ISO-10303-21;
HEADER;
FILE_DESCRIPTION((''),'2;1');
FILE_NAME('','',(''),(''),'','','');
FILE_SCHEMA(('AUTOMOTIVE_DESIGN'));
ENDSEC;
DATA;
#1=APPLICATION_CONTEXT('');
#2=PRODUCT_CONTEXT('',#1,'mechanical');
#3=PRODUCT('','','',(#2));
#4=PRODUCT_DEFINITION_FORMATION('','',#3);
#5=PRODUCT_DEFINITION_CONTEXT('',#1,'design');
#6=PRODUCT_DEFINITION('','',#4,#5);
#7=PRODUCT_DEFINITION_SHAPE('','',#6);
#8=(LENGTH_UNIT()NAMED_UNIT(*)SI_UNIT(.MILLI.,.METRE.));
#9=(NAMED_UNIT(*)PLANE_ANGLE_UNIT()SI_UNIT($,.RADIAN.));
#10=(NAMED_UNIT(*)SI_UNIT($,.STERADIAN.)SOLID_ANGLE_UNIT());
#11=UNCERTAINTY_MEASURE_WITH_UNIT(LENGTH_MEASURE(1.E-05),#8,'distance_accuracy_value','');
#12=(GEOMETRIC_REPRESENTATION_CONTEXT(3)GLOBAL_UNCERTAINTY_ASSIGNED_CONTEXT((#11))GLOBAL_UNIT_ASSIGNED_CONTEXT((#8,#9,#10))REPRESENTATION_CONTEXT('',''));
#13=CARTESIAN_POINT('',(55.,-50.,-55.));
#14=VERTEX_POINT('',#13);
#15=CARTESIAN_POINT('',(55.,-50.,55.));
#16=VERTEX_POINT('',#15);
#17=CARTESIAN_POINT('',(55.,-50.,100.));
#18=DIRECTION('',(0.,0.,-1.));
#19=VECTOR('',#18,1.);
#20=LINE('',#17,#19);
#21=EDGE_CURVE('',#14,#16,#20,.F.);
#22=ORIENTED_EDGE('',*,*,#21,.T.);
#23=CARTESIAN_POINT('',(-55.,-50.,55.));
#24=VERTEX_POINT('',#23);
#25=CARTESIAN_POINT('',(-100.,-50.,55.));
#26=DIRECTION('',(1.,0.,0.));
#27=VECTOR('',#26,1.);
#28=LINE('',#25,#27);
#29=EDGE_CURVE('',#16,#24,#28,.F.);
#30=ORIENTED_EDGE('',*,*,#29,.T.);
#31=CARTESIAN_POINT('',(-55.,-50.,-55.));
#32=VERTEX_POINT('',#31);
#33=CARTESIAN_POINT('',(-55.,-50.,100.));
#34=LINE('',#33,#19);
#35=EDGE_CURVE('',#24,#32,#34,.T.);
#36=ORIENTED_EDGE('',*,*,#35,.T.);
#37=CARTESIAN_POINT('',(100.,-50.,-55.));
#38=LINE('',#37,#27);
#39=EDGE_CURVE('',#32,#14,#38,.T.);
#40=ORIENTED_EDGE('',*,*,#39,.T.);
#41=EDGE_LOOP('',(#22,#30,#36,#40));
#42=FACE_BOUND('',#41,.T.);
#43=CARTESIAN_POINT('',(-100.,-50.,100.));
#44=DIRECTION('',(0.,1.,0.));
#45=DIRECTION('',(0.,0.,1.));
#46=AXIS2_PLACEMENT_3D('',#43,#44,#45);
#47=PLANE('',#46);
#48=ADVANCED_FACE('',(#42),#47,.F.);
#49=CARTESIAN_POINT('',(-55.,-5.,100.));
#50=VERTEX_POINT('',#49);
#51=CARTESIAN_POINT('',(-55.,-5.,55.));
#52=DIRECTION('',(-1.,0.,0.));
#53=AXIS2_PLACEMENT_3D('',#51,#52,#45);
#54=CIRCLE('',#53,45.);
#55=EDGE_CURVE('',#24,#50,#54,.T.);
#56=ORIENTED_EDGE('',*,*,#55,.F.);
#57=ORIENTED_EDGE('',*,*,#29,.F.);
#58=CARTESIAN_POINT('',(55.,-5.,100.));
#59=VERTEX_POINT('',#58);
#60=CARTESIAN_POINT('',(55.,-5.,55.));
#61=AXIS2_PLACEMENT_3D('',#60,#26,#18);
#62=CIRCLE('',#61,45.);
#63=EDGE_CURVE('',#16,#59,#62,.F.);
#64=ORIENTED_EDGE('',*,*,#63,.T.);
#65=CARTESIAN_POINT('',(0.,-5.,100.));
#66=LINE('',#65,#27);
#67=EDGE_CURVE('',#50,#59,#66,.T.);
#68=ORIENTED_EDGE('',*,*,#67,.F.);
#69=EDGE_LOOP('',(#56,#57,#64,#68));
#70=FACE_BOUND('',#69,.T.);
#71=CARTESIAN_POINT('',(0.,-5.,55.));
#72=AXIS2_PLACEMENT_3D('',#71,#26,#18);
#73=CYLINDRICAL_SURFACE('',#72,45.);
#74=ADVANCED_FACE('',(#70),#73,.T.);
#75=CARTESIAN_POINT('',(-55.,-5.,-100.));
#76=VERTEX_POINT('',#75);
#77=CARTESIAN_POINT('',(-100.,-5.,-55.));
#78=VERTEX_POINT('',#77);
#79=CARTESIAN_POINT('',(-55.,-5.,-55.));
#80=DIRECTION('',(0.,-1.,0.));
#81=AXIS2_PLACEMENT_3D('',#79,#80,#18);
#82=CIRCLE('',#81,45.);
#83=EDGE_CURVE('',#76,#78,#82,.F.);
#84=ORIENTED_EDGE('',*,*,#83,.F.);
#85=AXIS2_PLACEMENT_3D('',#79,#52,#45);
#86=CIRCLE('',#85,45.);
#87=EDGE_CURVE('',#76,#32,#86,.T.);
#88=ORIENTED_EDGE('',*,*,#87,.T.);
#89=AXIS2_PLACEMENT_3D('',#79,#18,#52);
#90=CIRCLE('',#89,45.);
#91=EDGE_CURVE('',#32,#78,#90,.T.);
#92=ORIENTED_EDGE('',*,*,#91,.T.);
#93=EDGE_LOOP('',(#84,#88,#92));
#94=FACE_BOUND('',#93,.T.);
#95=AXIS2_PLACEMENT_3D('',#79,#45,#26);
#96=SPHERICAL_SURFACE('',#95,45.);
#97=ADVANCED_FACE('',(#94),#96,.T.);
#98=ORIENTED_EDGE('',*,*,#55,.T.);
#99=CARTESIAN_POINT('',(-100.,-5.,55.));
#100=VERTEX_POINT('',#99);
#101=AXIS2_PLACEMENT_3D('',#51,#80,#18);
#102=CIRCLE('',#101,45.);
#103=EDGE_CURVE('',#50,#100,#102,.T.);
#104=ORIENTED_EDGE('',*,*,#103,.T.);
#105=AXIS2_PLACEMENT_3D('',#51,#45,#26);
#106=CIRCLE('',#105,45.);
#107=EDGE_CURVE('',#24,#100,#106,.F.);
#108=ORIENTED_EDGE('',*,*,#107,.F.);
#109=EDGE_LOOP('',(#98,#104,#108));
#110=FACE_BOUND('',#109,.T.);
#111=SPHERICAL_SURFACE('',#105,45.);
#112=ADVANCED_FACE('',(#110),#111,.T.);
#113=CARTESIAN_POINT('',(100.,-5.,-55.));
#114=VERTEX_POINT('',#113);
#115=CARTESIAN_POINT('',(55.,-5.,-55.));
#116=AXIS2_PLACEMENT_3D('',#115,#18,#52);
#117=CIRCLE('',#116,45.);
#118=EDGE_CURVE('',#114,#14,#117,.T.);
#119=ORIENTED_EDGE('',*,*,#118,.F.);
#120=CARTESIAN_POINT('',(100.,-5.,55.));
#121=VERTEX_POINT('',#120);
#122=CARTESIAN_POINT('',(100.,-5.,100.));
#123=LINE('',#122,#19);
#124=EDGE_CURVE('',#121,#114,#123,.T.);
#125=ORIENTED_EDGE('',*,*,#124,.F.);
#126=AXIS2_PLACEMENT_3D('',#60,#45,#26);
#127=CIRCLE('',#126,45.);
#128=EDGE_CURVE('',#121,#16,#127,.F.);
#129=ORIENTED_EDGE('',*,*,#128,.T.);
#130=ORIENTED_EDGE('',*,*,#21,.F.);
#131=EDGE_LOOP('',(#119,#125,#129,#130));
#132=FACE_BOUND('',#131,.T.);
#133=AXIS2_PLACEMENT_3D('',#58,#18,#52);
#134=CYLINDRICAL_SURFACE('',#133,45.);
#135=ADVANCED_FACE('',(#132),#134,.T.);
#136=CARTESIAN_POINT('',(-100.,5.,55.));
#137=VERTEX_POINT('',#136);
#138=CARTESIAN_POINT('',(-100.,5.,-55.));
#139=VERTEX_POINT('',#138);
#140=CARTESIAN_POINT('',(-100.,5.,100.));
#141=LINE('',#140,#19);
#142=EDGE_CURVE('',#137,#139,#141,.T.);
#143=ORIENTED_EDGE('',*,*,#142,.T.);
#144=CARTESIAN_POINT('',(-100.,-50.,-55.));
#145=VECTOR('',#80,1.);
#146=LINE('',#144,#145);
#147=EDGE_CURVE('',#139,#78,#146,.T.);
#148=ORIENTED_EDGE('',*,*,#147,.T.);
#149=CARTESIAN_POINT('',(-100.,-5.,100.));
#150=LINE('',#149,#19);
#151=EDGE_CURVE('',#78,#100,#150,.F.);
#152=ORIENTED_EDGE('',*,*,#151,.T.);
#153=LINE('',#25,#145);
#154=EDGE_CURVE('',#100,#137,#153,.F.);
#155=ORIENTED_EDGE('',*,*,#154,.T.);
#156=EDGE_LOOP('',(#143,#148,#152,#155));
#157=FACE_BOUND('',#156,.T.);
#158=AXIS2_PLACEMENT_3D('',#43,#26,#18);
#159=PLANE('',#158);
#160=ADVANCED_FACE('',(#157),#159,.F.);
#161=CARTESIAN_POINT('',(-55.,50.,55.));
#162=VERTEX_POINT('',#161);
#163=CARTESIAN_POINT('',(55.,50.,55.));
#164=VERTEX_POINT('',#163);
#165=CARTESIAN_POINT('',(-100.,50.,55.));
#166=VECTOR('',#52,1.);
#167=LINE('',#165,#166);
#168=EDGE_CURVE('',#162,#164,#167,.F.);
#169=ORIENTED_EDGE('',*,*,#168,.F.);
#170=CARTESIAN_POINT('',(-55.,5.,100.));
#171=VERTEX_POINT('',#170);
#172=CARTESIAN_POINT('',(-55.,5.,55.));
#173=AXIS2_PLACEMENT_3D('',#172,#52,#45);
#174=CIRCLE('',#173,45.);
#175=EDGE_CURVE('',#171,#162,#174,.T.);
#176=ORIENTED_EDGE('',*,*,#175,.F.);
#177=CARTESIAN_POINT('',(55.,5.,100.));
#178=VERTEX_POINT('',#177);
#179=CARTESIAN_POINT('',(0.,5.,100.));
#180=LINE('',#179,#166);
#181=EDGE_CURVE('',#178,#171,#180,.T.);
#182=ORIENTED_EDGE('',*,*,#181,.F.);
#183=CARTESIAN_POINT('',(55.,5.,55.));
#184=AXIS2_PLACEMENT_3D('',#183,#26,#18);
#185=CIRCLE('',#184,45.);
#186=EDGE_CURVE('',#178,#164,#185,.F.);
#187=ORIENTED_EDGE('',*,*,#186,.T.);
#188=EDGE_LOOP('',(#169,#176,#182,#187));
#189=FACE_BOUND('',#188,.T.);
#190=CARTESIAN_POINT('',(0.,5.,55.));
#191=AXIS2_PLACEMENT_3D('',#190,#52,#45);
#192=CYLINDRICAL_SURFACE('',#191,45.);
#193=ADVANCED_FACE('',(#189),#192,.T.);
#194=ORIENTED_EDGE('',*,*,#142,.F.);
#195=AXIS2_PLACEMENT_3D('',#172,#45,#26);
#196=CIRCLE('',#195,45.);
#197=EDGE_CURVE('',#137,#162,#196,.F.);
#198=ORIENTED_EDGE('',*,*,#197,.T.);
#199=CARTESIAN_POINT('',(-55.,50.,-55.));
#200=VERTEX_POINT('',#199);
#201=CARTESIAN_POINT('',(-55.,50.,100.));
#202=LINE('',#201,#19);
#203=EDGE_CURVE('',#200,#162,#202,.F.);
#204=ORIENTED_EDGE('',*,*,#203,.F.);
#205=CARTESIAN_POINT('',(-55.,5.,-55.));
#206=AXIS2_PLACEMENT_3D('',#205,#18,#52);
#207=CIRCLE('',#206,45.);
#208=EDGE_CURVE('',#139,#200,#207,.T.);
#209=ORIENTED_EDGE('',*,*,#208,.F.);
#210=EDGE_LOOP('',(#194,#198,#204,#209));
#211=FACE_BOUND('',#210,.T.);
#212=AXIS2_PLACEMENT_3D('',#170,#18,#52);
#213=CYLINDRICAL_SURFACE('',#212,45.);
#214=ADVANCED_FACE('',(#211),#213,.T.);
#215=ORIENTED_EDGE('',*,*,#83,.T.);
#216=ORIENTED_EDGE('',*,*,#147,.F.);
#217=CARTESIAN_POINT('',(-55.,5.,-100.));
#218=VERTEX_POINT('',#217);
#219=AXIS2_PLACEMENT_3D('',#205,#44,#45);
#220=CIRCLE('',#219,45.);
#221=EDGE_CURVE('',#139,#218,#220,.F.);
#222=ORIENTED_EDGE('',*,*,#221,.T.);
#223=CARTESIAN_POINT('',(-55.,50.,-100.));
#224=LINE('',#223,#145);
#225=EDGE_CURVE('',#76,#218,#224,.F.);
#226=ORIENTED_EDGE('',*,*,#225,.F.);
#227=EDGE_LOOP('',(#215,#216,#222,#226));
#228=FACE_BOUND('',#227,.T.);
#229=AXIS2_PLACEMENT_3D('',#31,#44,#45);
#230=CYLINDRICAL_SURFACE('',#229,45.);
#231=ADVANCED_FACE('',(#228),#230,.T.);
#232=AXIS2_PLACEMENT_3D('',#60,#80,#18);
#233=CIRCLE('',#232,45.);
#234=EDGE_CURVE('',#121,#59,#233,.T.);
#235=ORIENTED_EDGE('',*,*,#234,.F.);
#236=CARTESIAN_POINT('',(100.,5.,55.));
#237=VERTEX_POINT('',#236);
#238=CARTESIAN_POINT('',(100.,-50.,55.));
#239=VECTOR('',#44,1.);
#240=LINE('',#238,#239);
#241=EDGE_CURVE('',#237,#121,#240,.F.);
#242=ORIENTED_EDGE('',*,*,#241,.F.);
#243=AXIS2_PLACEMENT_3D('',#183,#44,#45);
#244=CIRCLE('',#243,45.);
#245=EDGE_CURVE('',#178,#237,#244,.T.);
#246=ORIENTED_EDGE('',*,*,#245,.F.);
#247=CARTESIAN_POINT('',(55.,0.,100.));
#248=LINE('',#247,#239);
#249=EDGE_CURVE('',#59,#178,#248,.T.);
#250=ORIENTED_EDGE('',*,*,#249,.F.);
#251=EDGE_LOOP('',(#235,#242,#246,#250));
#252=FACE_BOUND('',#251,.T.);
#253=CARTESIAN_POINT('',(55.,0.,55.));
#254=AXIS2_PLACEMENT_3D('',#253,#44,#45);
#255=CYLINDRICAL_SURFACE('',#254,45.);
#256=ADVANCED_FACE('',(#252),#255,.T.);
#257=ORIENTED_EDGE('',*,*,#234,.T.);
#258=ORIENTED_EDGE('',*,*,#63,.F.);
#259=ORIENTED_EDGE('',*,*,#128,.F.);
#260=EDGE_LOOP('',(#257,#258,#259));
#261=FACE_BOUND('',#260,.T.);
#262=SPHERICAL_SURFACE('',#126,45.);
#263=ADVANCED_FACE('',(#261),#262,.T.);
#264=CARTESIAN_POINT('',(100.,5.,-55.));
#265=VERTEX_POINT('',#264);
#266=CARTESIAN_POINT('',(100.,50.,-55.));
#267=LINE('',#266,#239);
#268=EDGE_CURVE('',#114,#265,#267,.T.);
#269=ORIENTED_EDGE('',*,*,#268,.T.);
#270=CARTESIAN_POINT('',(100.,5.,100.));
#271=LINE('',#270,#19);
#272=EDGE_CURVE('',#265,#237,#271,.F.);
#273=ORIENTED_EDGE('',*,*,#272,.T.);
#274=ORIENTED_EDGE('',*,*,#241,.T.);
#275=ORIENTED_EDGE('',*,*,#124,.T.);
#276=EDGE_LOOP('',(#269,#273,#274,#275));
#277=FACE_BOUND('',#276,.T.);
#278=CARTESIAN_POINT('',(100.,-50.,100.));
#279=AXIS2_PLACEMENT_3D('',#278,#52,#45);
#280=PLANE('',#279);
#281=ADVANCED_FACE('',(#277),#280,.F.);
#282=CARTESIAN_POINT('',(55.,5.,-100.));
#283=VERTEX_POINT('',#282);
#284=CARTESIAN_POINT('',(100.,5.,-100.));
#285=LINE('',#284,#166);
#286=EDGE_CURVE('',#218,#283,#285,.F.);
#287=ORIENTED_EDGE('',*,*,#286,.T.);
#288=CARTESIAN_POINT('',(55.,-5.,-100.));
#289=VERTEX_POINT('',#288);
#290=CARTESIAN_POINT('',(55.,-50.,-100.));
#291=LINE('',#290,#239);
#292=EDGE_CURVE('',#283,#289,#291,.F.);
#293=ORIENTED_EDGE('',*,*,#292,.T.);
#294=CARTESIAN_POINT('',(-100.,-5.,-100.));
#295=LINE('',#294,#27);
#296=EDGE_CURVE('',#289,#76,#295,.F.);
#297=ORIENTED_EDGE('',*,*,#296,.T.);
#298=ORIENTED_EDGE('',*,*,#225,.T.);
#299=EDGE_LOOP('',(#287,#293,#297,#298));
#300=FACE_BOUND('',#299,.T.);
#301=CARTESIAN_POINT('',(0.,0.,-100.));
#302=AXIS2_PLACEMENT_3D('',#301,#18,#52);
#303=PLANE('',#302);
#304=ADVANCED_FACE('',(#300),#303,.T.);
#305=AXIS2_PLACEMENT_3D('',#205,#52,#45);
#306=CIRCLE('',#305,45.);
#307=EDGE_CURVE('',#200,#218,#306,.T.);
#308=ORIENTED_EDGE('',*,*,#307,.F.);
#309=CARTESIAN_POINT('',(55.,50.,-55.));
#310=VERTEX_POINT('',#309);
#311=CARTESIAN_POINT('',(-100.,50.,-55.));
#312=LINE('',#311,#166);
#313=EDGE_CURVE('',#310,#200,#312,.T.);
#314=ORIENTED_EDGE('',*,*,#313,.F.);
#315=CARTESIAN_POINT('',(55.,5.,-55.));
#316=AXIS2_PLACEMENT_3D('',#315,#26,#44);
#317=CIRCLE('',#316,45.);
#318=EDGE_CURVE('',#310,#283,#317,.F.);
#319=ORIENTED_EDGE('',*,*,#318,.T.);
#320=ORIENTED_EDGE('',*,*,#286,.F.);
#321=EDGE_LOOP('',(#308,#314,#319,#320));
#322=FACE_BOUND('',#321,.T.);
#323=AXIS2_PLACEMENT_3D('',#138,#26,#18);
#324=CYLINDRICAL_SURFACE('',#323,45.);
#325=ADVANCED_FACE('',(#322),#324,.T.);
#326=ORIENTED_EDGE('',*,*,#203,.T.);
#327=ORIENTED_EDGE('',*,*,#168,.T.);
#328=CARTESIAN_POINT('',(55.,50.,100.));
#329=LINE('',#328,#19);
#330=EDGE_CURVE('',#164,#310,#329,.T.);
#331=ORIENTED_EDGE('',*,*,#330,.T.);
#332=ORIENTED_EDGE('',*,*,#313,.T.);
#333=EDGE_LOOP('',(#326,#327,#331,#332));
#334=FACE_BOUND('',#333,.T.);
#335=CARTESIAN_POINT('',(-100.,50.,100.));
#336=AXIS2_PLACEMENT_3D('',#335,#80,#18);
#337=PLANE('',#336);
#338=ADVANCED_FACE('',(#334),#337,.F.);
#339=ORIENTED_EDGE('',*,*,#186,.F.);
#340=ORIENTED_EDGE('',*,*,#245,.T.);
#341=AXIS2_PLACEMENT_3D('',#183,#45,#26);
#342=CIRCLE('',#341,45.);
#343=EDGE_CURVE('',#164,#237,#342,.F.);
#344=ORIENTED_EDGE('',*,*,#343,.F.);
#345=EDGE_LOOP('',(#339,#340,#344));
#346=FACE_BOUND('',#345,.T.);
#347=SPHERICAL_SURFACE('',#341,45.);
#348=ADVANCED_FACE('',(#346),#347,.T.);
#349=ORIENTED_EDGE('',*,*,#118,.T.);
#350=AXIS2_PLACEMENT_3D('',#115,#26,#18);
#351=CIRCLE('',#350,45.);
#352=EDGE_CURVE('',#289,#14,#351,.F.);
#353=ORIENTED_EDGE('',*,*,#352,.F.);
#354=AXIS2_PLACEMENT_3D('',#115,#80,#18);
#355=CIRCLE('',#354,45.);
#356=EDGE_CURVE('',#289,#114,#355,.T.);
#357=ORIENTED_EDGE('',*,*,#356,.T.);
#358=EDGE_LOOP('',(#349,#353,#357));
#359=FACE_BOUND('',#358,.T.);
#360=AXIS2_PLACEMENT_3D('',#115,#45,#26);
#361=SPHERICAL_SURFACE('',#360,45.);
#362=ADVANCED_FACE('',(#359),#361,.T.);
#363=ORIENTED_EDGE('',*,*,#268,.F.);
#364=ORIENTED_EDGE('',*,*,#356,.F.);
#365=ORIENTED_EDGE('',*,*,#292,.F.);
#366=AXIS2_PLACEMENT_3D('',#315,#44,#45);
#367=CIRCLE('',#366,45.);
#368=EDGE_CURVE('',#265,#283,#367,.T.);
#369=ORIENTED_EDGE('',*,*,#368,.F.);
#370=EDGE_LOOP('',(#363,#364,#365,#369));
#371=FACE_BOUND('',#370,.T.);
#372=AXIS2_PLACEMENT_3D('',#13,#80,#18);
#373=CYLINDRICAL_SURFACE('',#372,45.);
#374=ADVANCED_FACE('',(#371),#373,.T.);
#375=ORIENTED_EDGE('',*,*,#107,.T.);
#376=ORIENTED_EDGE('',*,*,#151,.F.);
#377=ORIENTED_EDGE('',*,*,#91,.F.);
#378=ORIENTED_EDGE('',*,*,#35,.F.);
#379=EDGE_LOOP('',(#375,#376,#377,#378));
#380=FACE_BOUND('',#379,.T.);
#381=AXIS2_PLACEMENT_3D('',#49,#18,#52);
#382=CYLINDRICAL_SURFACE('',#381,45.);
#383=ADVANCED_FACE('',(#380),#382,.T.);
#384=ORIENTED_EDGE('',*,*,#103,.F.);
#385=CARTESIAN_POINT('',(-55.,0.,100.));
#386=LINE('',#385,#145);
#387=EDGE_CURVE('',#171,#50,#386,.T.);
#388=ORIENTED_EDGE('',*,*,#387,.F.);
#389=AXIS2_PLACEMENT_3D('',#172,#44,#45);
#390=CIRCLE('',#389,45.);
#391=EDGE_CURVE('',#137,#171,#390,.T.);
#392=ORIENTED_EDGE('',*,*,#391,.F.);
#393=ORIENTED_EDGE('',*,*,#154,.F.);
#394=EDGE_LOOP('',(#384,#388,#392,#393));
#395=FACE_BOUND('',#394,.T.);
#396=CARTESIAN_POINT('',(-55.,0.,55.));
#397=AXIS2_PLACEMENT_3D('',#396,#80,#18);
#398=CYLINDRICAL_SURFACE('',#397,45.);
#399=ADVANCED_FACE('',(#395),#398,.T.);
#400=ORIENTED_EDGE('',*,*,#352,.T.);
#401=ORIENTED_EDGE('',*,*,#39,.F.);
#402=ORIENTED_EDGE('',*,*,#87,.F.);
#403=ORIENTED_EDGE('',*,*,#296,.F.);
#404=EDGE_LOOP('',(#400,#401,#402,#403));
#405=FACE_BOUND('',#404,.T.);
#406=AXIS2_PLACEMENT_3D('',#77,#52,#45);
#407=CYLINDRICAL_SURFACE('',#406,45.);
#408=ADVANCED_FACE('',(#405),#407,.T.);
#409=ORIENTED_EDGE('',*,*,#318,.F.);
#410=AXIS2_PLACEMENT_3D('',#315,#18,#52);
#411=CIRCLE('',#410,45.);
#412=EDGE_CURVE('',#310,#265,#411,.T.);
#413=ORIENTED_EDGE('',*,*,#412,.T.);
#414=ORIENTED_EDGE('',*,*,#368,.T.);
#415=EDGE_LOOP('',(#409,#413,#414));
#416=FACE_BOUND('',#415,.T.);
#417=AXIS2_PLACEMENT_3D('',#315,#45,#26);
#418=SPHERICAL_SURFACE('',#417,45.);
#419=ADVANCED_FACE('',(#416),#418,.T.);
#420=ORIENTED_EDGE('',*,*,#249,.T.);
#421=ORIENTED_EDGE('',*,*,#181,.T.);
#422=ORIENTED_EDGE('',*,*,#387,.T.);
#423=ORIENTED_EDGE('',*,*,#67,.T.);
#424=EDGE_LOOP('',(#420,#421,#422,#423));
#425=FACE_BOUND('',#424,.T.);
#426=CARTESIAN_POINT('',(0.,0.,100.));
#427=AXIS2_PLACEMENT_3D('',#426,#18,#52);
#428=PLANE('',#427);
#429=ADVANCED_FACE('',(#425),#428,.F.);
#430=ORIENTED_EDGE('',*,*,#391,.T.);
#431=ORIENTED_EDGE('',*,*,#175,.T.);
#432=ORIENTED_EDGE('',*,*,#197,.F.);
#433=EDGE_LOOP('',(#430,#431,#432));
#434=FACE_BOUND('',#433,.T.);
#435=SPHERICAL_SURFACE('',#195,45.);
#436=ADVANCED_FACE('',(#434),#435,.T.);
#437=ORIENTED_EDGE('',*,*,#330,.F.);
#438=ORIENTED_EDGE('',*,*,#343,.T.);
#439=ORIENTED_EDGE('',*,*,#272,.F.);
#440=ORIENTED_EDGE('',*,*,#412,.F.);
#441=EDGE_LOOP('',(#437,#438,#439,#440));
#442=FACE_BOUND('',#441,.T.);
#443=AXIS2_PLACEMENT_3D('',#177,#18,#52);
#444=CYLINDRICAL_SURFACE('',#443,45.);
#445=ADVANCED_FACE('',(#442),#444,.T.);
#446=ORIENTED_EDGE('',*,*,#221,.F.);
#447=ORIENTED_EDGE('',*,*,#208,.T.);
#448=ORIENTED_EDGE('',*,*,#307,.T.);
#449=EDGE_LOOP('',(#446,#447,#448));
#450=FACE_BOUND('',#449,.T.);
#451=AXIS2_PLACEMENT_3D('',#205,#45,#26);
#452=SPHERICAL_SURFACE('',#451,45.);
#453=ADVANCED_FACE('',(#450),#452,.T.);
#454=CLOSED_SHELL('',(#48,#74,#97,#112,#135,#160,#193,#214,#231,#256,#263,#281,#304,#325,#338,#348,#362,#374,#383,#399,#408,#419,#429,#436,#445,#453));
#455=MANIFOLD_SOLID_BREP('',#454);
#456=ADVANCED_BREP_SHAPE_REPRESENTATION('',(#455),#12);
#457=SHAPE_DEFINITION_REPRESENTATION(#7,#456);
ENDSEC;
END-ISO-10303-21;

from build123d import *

# Parameters (mm, degrees)
SKETCH1_W           = 200
SKETCH1_H           = 100
BOSS_EXTRUDE1_DEPTH = 100
FILLET1_R           = 45


with BuildPart() as part:
    # Sketch1 → Boss-Extrude1 (new, symmetric)
    with BuildSketch(Plane.XY):
        Rectangle(SKETCH1_W, SKETCH1_H)
    extrude(amount=BOSS_EXTRUDE1_DEPTH, both=True)

    # Fillet1
    fillet1_edges = [part.edges().sort_by_distance(p)[0] for p in [
        (-100, 0, 100),
        (0, -50, 100),
        (100, 0, 100),
        (0, -50, -100),
        (-100, 0, -100),
        (0, 50, -100),
        (100, 0, -100),
        (100, -50, 0),
        (-100, -50, 0),
        (-100, 50, 0),
        (100, 50, 0),
        (0, 50, 100),
    ]]
    fillet(fillet1_edges, radius=FILLET1_R)


solid = part.part
